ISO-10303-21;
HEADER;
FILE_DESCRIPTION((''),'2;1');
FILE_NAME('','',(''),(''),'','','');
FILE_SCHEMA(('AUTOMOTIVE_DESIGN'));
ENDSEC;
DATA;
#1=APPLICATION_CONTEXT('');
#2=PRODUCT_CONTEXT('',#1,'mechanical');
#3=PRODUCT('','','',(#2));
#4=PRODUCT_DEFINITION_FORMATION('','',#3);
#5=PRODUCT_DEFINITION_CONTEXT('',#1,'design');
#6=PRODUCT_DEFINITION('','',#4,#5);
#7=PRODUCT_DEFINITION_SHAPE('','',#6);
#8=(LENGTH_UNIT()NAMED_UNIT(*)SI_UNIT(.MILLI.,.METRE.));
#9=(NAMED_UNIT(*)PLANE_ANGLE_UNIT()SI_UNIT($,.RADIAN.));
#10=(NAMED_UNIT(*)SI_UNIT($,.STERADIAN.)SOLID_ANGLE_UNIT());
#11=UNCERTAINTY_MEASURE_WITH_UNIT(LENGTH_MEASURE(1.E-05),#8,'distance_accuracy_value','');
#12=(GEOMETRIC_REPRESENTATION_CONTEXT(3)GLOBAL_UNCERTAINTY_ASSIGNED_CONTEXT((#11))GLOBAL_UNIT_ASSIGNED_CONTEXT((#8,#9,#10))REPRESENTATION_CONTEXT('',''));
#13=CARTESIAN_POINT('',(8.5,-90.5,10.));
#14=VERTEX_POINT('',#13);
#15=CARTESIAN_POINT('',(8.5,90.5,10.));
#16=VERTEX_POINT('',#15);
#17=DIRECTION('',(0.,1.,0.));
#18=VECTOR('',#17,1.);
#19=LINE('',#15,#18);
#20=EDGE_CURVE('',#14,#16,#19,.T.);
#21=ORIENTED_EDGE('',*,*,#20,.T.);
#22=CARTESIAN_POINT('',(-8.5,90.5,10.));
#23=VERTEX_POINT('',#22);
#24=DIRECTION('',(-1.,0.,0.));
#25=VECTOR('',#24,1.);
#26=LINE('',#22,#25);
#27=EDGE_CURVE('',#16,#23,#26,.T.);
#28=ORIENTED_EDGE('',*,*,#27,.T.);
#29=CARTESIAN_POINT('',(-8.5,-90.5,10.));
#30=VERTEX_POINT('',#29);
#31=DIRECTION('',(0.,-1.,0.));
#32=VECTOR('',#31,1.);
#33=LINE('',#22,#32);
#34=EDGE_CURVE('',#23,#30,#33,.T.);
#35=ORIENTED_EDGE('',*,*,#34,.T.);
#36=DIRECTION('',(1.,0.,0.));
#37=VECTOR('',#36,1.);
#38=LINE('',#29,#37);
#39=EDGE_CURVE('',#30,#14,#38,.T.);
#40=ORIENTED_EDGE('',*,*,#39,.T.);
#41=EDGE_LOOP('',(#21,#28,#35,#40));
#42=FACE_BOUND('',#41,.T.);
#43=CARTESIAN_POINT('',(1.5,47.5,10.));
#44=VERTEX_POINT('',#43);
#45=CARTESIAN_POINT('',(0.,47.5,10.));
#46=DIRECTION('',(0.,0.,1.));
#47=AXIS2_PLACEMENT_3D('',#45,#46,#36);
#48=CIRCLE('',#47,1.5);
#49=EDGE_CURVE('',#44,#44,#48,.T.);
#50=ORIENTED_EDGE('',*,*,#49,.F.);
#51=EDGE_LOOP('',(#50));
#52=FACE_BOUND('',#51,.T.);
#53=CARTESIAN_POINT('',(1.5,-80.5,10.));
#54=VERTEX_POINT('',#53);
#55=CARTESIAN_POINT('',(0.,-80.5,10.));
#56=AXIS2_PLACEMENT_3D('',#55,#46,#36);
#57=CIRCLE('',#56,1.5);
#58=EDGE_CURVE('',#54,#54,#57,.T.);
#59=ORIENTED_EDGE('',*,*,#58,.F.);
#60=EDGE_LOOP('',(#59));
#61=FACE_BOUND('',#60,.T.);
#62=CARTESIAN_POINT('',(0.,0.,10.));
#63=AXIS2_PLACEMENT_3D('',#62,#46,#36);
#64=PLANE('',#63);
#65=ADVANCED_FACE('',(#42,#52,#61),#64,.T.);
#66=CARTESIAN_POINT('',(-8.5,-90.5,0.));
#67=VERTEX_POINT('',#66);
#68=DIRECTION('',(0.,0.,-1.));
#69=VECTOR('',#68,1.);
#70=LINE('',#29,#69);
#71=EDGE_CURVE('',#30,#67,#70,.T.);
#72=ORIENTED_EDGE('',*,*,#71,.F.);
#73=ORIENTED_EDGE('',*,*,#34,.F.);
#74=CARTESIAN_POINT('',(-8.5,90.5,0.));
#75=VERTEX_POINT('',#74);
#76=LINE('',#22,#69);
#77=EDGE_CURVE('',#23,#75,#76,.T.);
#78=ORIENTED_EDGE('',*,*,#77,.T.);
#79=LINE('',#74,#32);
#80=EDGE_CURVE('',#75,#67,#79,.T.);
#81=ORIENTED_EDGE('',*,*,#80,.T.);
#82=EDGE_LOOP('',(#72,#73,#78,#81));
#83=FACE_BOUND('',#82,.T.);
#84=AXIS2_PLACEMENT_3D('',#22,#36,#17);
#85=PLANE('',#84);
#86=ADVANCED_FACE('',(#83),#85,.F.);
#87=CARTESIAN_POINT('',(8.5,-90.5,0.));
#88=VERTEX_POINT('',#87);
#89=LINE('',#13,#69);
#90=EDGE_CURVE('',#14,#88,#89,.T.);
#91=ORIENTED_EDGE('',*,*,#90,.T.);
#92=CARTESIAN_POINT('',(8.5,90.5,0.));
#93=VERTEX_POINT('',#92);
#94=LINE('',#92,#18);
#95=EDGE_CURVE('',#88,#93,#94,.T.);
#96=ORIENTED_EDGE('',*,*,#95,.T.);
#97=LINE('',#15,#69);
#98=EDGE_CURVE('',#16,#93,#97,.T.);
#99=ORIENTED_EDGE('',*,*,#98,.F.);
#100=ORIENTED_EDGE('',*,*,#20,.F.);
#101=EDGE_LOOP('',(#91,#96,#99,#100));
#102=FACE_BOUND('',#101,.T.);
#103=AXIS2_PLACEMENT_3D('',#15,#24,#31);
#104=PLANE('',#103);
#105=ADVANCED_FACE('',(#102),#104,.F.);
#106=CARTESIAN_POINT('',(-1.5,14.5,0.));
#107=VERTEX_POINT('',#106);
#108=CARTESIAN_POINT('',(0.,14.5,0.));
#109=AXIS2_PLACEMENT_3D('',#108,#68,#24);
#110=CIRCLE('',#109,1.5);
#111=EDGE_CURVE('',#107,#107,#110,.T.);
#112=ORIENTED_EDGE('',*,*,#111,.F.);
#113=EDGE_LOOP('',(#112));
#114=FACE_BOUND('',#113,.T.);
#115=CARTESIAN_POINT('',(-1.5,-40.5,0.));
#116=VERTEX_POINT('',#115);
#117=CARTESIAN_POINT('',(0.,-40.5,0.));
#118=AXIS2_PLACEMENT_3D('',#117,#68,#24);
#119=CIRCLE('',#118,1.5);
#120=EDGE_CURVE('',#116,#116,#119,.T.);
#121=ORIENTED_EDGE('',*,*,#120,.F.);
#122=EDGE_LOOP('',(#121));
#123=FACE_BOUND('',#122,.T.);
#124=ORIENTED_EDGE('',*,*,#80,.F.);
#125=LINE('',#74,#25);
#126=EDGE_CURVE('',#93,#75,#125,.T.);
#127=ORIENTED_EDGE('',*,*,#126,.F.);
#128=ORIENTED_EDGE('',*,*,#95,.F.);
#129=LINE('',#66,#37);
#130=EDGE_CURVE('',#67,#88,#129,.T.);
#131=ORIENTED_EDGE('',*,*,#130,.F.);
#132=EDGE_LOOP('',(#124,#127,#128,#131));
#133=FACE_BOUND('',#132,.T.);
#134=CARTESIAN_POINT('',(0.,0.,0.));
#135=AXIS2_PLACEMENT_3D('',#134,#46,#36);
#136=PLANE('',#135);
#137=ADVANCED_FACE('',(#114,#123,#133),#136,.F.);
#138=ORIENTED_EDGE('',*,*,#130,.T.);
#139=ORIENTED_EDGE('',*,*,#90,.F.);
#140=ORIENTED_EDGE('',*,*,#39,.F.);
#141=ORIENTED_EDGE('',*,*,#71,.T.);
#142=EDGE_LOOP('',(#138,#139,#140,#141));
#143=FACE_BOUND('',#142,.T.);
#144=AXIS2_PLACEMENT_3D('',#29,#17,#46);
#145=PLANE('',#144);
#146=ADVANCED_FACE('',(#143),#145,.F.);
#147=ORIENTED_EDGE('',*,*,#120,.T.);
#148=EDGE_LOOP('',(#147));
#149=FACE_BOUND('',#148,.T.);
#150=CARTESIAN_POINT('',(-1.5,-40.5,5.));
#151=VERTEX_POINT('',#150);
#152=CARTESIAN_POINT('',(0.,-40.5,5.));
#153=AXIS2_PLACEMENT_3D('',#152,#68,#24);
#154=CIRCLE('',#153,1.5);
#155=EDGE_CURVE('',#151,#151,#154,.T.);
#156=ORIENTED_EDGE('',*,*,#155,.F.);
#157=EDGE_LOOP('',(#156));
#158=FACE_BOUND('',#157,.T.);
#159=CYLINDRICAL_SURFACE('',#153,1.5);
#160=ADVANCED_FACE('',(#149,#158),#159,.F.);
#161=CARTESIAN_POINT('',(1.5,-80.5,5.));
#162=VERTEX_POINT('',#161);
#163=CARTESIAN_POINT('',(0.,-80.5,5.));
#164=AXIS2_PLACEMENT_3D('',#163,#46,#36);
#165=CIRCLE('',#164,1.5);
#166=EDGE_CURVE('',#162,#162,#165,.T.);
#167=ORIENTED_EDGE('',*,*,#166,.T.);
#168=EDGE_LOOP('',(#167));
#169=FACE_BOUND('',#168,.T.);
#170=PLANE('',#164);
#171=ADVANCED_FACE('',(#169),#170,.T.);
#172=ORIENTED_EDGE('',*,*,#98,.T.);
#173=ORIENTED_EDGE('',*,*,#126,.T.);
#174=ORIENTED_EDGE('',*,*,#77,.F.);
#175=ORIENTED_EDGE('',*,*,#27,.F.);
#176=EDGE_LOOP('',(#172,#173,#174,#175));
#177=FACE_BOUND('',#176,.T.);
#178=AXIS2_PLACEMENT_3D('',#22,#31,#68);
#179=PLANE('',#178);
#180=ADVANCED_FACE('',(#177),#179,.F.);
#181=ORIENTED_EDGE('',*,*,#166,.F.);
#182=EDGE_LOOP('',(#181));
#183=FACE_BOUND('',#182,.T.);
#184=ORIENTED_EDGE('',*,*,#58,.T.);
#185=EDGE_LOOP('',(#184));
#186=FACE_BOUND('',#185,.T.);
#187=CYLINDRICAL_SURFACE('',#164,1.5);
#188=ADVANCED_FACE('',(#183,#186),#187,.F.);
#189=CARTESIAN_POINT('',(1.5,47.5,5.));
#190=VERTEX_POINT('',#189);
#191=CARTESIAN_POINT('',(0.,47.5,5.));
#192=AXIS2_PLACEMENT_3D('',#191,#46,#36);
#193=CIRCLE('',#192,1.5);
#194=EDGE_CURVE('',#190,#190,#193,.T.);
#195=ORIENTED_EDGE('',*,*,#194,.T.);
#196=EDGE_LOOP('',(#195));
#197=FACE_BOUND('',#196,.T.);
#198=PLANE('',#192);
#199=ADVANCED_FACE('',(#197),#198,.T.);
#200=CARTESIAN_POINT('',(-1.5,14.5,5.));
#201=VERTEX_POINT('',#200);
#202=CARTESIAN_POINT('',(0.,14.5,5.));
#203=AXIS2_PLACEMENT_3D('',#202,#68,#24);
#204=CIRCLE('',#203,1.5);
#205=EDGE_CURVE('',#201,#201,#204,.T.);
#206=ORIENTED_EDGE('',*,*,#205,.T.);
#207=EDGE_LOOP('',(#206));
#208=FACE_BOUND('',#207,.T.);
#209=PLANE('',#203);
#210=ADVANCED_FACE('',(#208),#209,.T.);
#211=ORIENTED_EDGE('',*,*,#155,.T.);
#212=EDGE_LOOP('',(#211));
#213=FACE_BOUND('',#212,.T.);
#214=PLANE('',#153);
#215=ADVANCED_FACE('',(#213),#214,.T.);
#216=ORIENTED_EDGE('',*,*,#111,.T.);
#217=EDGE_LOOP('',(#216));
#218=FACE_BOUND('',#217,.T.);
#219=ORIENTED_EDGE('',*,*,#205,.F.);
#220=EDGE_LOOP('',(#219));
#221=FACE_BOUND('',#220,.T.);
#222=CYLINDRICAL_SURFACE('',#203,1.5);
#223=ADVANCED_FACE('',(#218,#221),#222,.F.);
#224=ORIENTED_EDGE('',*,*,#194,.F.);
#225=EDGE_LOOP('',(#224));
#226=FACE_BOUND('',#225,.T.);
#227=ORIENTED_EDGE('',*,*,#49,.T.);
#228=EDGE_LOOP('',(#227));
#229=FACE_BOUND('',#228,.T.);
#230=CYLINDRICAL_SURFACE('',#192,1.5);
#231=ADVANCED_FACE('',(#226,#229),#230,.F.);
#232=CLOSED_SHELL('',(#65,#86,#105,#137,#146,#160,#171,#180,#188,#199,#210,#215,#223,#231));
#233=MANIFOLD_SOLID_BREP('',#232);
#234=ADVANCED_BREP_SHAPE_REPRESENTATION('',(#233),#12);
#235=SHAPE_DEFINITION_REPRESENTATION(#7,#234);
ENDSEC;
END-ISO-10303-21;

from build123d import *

# Parameters (mm, degrees)
ESQUISSE1_W             = 17
ESQUISSE1_H             = 181
BOSS_EXTRU_1_DEPTH      = 10
ESQUISSE2_R             = 1.5
ENL_V_MAT_EXTRU_1_DEPTH = 5
ESQUISSE4_R             = 1.5
ENL_V_MAT_EXTRU_2_DEPTH = 5


with BuildPart() as part:
    # Esquisse1 → Boss.-Extru.1 (new body)
    with BuildSketch(Plane.XY):
        Rectangle(ESQUISSE1_W, ESQUISSE1_H)
    extrude(amount=BOSS_EXTRU_1_DEPTH)

    # Esquisse2 → Enlèv. mat.-Extru.1 (cut)
    with BuildSketch(Plane.XY.offset(10)):
        with Locations((0, 47.5)):
            Circle(ESQUISSE2_R)
        with Locations((0, -80.5)):
            Circle(ESQUISSE2_R)
    extrude(amount=-ENL_V_MAT_EXTRU_1_DEPTH, mode=Mode.SUBTRACT)

    # Esquisse4 → Enlèv. mat.-Extru.2 (cut)
    with BuildSketch(Plane(origin=(0, 0, 0), x_dir=(-1, 0, 0), z_dir=(0, 0, -1))):
        with Locations((0, 14.5)):
            Circle(ESQUISSE4_R)
        with Locations((0, -40.5)):
            Circle(ESQUISSE4_R)
    extrude(amount=-ENL_V_MAT_EXTRU_2_DEPTH, mode=Mode.SUBTRACT)


solid = part.part
